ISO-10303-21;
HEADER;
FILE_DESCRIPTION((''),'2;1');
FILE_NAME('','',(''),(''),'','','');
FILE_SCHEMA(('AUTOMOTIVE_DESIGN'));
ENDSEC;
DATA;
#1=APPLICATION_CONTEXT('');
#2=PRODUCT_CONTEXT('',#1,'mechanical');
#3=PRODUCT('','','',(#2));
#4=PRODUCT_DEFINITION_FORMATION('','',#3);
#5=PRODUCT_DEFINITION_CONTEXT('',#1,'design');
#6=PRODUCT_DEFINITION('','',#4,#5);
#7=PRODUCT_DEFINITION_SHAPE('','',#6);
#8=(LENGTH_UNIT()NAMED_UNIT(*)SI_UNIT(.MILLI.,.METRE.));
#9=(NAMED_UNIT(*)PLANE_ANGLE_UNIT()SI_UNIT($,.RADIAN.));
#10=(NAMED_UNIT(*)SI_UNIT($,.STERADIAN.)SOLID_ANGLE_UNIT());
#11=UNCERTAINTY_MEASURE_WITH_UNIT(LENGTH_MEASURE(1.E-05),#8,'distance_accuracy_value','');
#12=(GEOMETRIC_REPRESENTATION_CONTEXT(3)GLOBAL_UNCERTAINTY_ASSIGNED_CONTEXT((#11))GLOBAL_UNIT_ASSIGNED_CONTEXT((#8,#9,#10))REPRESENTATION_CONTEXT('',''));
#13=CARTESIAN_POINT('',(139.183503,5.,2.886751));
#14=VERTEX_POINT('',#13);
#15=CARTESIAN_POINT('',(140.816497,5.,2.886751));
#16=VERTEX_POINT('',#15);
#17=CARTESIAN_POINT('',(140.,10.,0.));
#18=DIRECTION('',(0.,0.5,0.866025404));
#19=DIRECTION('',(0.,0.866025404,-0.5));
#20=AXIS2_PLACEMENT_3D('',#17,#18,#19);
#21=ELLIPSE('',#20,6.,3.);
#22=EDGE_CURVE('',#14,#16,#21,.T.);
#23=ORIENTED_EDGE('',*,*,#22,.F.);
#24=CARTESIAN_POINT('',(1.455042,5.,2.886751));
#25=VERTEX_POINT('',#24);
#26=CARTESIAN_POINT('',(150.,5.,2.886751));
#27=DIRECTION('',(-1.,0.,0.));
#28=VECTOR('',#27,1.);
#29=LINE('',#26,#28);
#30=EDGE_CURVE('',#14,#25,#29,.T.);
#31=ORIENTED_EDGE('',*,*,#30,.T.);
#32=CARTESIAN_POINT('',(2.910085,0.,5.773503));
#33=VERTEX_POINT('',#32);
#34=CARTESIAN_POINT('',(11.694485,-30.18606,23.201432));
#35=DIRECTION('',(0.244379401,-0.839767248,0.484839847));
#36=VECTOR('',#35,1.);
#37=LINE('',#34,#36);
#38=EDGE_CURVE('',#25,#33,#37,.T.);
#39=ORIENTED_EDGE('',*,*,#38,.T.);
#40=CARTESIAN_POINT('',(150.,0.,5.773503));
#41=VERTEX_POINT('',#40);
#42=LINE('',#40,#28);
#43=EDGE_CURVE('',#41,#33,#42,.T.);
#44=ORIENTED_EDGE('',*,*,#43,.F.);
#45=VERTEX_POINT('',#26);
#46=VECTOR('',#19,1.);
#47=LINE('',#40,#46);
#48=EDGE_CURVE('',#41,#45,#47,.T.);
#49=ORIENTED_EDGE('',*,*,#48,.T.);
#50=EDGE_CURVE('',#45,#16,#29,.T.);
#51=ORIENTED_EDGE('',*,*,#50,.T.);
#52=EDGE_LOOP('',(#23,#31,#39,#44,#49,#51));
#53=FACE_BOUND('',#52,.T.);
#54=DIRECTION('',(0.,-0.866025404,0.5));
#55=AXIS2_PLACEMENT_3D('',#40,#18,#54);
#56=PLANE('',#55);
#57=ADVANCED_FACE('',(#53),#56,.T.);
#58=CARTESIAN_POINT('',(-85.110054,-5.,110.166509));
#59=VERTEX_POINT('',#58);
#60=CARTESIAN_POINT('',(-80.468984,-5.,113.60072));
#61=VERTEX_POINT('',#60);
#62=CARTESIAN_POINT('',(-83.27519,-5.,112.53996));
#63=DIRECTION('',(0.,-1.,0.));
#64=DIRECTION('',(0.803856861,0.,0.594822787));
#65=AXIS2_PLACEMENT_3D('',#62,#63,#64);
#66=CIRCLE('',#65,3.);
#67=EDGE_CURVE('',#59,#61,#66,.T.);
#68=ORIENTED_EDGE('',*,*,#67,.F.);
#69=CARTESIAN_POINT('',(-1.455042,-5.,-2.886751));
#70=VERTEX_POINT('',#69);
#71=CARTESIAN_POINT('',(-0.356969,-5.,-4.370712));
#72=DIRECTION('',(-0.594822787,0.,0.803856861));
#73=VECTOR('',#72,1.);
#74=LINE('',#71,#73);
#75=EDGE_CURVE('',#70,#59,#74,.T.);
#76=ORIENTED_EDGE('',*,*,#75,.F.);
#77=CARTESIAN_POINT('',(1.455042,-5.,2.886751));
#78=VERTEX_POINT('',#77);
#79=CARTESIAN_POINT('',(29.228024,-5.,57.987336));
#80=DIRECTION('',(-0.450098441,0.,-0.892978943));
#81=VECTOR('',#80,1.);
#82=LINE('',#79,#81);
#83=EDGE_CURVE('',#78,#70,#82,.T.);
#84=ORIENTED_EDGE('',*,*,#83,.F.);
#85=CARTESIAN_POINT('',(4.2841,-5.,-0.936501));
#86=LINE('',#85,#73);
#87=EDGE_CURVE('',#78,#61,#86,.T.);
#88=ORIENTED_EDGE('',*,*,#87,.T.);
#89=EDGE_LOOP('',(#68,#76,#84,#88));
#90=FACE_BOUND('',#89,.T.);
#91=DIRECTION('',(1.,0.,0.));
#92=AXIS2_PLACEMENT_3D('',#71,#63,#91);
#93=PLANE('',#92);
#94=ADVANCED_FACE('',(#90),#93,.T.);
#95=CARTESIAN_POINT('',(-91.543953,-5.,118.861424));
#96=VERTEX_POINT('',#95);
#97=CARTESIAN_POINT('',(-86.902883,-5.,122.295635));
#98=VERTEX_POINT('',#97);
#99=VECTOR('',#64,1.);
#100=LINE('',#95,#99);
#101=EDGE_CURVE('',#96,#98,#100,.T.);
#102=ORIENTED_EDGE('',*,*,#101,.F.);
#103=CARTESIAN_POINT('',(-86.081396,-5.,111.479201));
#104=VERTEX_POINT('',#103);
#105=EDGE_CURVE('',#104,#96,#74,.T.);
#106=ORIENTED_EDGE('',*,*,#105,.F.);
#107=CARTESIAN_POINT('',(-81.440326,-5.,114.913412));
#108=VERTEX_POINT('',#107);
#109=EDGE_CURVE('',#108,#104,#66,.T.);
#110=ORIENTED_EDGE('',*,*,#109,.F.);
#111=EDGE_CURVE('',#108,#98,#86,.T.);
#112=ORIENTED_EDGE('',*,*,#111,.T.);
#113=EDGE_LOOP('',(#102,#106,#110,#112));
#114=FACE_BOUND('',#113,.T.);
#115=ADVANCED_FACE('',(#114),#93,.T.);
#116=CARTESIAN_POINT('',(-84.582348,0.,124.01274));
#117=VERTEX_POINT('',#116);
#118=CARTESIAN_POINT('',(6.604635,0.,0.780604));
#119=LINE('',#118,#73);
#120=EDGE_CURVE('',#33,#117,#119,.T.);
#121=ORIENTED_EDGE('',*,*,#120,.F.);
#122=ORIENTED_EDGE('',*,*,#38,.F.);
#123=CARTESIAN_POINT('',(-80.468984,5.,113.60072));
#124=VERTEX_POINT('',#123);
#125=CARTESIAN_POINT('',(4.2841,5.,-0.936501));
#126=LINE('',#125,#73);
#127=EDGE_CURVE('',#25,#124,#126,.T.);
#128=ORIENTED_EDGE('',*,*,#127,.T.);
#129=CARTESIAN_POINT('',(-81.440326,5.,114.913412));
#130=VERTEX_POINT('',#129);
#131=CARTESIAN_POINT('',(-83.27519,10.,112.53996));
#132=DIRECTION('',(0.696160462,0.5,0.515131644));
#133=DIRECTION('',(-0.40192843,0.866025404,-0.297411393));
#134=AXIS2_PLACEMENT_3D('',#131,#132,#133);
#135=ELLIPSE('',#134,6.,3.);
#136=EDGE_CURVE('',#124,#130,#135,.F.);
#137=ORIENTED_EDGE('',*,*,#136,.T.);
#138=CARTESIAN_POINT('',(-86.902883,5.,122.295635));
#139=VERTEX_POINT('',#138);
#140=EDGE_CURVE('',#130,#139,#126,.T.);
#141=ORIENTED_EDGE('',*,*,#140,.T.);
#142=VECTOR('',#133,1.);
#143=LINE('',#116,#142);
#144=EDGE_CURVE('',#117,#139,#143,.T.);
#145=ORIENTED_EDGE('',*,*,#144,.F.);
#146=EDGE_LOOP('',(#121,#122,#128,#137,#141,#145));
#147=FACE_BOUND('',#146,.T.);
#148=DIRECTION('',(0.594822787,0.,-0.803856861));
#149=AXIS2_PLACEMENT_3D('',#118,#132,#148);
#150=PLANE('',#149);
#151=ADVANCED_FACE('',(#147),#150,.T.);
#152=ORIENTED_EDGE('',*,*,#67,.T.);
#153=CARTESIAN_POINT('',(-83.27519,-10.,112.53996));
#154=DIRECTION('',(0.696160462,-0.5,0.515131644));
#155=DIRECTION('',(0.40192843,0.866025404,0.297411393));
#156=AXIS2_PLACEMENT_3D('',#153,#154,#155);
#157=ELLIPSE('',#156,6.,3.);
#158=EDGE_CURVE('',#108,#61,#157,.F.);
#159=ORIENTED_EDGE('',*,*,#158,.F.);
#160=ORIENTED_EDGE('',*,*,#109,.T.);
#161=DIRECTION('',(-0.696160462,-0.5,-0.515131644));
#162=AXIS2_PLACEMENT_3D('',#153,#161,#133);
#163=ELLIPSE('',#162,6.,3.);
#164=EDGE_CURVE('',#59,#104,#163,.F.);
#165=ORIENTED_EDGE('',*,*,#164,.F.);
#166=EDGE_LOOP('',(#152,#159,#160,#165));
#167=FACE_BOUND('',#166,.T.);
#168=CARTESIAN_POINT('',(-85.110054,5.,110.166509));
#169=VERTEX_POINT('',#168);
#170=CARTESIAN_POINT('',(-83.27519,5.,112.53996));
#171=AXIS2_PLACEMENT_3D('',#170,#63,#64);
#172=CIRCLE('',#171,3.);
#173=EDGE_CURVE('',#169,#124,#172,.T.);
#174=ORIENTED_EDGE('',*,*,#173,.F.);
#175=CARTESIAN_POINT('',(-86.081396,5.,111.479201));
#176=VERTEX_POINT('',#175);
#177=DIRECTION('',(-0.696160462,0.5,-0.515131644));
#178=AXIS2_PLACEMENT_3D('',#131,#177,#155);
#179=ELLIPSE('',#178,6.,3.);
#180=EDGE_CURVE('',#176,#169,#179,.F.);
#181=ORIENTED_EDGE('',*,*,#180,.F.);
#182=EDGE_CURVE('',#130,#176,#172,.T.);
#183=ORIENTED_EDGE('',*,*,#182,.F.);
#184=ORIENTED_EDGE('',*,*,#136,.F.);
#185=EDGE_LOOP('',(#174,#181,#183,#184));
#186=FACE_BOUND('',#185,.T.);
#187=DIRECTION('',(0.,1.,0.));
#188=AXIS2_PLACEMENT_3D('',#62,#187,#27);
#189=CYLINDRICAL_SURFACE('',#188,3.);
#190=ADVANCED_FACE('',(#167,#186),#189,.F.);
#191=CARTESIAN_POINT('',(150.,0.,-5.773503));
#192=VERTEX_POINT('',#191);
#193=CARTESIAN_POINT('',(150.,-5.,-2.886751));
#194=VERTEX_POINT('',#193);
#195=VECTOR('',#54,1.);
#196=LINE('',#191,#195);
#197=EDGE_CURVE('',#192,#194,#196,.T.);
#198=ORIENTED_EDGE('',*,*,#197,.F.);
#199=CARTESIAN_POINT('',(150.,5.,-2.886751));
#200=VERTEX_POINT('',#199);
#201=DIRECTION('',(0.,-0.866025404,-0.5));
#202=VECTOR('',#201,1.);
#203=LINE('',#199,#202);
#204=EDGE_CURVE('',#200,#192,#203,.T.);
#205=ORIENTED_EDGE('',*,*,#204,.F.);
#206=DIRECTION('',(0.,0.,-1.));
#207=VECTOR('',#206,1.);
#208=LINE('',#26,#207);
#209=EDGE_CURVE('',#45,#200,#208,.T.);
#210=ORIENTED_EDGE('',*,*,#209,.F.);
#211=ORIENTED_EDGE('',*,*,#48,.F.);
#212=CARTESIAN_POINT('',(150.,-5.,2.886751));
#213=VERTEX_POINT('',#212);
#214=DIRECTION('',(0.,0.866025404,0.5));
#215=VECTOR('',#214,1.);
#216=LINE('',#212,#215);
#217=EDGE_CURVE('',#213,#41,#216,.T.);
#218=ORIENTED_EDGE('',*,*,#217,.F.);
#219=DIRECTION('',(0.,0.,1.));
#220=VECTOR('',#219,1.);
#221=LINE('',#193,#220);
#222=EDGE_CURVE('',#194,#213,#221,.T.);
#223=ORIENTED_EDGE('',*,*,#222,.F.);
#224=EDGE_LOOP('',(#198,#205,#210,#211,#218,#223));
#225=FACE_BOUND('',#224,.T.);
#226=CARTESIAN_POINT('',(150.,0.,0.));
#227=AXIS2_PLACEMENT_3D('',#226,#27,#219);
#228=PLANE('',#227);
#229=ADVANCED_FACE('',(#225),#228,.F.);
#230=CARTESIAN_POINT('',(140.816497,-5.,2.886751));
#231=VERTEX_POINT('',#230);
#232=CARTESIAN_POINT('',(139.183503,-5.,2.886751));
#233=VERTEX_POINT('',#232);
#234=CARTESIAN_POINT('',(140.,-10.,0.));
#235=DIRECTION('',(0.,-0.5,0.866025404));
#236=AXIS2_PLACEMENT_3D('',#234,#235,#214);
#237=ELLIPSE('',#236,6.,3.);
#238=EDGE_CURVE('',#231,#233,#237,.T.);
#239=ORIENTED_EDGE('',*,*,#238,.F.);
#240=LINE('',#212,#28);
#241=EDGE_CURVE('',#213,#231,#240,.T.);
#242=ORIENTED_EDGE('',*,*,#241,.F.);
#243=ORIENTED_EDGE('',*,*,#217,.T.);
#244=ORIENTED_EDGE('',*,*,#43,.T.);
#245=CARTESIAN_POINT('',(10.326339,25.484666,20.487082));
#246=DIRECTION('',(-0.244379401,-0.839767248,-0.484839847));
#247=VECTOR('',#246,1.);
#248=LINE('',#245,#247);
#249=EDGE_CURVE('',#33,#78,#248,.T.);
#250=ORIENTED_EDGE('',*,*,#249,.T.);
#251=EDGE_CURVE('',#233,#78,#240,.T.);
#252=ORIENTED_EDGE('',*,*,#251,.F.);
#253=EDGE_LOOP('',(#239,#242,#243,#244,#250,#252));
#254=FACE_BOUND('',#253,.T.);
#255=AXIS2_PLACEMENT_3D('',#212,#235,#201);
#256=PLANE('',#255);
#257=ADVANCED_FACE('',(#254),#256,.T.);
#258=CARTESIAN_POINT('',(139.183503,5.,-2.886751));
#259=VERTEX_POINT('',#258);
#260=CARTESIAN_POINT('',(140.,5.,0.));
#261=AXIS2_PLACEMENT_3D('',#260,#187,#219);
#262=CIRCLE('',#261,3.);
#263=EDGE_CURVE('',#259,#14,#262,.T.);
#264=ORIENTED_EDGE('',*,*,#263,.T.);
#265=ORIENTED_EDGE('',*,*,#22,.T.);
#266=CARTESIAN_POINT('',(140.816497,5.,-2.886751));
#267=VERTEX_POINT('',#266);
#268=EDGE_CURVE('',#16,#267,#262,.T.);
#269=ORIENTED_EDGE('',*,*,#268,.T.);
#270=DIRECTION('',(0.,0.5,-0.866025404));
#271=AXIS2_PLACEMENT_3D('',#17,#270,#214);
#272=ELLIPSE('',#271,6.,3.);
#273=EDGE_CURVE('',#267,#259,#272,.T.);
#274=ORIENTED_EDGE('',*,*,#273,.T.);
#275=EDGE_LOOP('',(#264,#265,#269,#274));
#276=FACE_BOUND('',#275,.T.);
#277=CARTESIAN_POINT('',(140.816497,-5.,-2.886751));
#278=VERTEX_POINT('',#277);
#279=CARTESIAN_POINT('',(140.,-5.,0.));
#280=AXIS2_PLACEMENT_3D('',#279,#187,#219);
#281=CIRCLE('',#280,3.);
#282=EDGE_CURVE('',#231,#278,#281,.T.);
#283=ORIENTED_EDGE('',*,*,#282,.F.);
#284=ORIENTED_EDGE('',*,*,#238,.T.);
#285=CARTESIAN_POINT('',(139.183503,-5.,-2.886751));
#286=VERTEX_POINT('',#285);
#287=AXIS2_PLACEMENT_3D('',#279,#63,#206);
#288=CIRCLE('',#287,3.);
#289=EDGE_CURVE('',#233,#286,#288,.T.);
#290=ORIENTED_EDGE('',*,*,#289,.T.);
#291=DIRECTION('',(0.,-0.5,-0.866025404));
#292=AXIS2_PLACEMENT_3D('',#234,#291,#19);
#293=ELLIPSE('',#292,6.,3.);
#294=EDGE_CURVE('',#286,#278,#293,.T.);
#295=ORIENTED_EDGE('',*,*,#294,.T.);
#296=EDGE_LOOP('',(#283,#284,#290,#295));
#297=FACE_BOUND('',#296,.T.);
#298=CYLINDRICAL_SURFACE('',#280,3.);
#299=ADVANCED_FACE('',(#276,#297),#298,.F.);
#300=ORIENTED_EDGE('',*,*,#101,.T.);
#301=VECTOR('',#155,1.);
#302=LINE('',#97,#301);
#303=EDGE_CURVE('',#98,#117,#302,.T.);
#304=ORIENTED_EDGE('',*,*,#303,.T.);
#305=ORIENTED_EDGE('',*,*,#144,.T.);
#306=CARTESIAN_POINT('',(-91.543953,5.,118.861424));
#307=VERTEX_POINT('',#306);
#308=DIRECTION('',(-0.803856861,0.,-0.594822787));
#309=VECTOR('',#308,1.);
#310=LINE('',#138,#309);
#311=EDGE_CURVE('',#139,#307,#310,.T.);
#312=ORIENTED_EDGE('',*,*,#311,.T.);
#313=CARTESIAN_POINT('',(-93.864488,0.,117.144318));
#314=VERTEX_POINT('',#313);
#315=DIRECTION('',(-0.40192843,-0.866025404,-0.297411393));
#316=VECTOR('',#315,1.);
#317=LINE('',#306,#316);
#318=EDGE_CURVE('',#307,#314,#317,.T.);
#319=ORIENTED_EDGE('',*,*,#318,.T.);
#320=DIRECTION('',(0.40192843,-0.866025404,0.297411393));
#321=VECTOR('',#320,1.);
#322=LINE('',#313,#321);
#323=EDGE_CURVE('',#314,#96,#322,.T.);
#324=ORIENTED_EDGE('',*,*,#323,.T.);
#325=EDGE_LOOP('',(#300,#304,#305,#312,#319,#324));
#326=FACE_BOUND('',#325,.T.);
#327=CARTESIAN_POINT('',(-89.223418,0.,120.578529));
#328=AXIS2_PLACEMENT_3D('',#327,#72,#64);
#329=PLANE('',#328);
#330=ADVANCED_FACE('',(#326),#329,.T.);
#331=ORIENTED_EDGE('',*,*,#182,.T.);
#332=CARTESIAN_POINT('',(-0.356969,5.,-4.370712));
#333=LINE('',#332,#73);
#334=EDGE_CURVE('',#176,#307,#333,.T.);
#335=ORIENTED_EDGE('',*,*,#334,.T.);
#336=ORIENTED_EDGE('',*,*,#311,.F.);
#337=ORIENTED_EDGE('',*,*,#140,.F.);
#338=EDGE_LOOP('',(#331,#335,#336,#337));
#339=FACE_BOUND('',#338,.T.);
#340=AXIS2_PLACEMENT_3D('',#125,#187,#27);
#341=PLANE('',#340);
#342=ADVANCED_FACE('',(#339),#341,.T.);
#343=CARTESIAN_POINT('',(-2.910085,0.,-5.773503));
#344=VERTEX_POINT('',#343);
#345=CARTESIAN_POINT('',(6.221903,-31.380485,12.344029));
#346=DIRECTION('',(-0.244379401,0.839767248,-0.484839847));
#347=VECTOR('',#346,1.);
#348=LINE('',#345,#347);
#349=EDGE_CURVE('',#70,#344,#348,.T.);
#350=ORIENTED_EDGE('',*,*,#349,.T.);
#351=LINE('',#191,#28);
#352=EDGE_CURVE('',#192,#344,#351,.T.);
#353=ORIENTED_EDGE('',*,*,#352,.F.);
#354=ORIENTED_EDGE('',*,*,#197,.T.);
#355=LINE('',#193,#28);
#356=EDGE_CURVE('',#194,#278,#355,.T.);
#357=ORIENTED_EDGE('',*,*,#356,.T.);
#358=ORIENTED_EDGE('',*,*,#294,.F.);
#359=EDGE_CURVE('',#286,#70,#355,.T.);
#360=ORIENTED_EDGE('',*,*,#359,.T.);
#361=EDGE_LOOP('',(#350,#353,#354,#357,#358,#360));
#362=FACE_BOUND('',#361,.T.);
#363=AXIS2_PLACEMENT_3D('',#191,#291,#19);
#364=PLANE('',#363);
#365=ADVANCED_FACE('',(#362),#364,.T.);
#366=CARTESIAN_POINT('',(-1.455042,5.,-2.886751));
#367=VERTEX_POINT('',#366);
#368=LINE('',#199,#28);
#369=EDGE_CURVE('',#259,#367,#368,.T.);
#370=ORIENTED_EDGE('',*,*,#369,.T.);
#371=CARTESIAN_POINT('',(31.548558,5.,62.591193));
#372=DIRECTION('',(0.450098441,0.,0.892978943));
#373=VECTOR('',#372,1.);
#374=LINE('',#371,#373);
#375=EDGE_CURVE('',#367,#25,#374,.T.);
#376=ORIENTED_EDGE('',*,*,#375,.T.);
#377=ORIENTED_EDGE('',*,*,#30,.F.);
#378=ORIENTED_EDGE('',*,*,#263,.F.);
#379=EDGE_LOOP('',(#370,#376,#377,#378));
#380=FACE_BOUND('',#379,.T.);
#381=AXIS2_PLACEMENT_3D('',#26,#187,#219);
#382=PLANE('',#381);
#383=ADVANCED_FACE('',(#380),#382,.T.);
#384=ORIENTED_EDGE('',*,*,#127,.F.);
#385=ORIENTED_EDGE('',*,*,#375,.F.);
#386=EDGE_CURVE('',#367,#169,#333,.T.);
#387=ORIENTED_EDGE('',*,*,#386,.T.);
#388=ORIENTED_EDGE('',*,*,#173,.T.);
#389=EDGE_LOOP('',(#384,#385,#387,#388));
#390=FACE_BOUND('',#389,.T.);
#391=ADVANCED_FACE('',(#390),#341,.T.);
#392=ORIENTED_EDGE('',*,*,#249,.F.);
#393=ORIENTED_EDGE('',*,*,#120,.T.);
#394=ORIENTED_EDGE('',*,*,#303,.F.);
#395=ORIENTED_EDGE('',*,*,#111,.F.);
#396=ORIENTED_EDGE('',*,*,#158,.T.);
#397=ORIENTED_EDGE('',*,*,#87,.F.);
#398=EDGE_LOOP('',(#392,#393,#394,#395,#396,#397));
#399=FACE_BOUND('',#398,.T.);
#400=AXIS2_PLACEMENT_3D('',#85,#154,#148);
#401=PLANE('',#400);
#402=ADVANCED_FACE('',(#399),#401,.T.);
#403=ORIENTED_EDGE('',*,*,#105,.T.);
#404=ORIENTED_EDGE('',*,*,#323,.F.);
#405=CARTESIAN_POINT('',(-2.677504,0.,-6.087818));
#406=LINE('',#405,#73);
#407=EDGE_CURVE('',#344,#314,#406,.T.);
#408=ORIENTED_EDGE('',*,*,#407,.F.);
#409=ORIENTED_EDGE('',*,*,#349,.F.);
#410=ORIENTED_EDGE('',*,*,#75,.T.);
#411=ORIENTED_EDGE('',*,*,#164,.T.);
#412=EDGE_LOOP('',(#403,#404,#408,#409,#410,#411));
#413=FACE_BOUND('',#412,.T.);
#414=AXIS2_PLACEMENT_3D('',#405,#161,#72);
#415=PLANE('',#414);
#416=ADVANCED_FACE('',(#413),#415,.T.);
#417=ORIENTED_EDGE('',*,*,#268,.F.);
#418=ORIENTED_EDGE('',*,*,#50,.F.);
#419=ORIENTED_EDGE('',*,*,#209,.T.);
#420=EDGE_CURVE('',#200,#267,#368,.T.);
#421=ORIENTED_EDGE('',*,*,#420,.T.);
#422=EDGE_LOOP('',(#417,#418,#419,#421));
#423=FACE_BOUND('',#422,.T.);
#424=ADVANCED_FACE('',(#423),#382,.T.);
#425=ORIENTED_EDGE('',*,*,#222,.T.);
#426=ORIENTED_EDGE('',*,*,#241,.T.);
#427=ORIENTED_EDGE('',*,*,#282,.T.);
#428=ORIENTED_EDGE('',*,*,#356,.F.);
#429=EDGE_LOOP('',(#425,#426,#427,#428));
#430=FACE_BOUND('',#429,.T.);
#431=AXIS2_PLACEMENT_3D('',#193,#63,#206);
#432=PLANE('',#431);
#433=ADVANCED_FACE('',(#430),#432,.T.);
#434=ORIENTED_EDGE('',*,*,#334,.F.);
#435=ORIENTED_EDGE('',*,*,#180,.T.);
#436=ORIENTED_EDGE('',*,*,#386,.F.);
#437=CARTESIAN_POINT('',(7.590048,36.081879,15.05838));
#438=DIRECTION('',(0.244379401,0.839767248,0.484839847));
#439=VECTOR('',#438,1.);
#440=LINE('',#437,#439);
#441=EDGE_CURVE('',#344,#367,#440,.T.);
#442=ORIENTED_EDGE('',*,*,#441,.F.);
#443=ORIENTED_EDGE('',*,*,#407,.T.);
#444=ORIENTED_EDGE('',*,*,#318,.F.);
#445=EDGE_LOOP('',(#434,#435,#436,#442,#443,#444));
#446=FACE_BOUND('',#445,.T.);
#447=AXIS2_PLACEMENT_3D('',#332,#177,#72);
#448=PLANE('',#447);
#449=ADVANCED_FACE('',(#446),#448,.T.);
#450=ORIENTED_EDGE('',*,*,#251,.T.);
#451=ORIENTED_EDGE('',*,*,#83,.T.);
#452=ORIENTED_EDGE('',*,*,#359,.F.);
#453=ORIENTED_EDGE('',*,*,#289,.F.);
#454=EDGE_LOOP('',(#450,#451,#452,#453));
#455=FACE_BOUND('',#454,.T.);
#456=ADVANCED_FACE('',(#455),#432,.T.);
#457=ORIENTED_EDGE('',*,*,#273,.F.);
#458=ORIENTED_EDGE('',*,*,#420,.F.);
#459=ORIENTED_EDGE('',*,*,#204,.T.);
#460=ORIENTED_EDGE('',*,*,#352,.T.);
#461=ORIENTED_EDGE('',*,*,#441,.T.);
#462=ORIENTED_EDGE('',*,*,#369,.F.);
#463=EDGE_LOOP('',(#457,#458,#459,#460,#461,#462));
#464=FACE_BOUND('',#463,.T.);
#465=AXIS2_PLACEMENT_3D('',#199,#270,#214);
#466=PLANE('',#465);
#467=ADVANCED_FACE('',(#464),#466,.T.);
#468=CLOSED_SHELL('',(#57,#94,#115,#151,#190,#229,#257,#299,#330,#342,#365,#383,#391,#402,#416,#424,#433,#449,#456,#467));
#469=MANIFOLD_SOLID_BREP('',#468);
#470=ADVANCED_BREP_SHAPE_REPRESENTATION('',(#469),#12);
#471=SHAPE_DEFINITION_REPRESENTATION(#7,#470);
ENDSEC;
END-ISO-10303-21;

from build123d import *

# Parameters (mm, degrees)
SKETCH4_R          = 3
CUT_EXTRUDE1_DEPTH = 11


with BuildPart() as part:
    # Sweep2: sweep along a path in Sketch1
    with BuildLine(Plane(origin=(0, 0, 0), x_dir=(1, 0, 0), z_dir=(0, 1, 0))) as sweep2_path:
        Line((150, 0), (0, 0))
        Line((0, 0), (-89.223418013, -120.578529093))
    # Sketch2 → Sweep2 (sweep)
    with BuildSketch(Plane(origin=(-89.223418013, 0, 120.578529093), x_dir=(0.803856861, 0, 0.594822787), z_dir=(-0.594822787, 0, 0.803856861))):
        Polygon((2.886751346, -5), (5.773502692, 0), (2.886751346, 5), (-2.886751346, 5), (-5.773502692, 0), (-2.886751346, -5), align=None)
    sweep(path=sweep2_path.line, transition=Transition.RIGHT)

    # Sketch4 → Cut-Extrude1 (cut, through all)
    with BuildSketch(Plane(origin=(0, 5, 0), x_dir=(1, 0, 0), z_dir=(0, 1, 0))):
        with Locations((140, 0)):
            Circle(SKETCH4_R)
    cut_extrude1 = extrude(amount=-CUT_EXTRUDE1_DEPTH, mode=Mode.SUBTRACT)

    # Mirror1: Cut-Extrude1 across plane
    add(cut_extrude1.mirror(Plane(origin=(0, 0, 0), x_dir=(0.450098441, 0, 0.892978943), z_dir=(0.892978943, 0, -0.450098441))), mode=Mode.SUBTRACT)


solid = part.part
